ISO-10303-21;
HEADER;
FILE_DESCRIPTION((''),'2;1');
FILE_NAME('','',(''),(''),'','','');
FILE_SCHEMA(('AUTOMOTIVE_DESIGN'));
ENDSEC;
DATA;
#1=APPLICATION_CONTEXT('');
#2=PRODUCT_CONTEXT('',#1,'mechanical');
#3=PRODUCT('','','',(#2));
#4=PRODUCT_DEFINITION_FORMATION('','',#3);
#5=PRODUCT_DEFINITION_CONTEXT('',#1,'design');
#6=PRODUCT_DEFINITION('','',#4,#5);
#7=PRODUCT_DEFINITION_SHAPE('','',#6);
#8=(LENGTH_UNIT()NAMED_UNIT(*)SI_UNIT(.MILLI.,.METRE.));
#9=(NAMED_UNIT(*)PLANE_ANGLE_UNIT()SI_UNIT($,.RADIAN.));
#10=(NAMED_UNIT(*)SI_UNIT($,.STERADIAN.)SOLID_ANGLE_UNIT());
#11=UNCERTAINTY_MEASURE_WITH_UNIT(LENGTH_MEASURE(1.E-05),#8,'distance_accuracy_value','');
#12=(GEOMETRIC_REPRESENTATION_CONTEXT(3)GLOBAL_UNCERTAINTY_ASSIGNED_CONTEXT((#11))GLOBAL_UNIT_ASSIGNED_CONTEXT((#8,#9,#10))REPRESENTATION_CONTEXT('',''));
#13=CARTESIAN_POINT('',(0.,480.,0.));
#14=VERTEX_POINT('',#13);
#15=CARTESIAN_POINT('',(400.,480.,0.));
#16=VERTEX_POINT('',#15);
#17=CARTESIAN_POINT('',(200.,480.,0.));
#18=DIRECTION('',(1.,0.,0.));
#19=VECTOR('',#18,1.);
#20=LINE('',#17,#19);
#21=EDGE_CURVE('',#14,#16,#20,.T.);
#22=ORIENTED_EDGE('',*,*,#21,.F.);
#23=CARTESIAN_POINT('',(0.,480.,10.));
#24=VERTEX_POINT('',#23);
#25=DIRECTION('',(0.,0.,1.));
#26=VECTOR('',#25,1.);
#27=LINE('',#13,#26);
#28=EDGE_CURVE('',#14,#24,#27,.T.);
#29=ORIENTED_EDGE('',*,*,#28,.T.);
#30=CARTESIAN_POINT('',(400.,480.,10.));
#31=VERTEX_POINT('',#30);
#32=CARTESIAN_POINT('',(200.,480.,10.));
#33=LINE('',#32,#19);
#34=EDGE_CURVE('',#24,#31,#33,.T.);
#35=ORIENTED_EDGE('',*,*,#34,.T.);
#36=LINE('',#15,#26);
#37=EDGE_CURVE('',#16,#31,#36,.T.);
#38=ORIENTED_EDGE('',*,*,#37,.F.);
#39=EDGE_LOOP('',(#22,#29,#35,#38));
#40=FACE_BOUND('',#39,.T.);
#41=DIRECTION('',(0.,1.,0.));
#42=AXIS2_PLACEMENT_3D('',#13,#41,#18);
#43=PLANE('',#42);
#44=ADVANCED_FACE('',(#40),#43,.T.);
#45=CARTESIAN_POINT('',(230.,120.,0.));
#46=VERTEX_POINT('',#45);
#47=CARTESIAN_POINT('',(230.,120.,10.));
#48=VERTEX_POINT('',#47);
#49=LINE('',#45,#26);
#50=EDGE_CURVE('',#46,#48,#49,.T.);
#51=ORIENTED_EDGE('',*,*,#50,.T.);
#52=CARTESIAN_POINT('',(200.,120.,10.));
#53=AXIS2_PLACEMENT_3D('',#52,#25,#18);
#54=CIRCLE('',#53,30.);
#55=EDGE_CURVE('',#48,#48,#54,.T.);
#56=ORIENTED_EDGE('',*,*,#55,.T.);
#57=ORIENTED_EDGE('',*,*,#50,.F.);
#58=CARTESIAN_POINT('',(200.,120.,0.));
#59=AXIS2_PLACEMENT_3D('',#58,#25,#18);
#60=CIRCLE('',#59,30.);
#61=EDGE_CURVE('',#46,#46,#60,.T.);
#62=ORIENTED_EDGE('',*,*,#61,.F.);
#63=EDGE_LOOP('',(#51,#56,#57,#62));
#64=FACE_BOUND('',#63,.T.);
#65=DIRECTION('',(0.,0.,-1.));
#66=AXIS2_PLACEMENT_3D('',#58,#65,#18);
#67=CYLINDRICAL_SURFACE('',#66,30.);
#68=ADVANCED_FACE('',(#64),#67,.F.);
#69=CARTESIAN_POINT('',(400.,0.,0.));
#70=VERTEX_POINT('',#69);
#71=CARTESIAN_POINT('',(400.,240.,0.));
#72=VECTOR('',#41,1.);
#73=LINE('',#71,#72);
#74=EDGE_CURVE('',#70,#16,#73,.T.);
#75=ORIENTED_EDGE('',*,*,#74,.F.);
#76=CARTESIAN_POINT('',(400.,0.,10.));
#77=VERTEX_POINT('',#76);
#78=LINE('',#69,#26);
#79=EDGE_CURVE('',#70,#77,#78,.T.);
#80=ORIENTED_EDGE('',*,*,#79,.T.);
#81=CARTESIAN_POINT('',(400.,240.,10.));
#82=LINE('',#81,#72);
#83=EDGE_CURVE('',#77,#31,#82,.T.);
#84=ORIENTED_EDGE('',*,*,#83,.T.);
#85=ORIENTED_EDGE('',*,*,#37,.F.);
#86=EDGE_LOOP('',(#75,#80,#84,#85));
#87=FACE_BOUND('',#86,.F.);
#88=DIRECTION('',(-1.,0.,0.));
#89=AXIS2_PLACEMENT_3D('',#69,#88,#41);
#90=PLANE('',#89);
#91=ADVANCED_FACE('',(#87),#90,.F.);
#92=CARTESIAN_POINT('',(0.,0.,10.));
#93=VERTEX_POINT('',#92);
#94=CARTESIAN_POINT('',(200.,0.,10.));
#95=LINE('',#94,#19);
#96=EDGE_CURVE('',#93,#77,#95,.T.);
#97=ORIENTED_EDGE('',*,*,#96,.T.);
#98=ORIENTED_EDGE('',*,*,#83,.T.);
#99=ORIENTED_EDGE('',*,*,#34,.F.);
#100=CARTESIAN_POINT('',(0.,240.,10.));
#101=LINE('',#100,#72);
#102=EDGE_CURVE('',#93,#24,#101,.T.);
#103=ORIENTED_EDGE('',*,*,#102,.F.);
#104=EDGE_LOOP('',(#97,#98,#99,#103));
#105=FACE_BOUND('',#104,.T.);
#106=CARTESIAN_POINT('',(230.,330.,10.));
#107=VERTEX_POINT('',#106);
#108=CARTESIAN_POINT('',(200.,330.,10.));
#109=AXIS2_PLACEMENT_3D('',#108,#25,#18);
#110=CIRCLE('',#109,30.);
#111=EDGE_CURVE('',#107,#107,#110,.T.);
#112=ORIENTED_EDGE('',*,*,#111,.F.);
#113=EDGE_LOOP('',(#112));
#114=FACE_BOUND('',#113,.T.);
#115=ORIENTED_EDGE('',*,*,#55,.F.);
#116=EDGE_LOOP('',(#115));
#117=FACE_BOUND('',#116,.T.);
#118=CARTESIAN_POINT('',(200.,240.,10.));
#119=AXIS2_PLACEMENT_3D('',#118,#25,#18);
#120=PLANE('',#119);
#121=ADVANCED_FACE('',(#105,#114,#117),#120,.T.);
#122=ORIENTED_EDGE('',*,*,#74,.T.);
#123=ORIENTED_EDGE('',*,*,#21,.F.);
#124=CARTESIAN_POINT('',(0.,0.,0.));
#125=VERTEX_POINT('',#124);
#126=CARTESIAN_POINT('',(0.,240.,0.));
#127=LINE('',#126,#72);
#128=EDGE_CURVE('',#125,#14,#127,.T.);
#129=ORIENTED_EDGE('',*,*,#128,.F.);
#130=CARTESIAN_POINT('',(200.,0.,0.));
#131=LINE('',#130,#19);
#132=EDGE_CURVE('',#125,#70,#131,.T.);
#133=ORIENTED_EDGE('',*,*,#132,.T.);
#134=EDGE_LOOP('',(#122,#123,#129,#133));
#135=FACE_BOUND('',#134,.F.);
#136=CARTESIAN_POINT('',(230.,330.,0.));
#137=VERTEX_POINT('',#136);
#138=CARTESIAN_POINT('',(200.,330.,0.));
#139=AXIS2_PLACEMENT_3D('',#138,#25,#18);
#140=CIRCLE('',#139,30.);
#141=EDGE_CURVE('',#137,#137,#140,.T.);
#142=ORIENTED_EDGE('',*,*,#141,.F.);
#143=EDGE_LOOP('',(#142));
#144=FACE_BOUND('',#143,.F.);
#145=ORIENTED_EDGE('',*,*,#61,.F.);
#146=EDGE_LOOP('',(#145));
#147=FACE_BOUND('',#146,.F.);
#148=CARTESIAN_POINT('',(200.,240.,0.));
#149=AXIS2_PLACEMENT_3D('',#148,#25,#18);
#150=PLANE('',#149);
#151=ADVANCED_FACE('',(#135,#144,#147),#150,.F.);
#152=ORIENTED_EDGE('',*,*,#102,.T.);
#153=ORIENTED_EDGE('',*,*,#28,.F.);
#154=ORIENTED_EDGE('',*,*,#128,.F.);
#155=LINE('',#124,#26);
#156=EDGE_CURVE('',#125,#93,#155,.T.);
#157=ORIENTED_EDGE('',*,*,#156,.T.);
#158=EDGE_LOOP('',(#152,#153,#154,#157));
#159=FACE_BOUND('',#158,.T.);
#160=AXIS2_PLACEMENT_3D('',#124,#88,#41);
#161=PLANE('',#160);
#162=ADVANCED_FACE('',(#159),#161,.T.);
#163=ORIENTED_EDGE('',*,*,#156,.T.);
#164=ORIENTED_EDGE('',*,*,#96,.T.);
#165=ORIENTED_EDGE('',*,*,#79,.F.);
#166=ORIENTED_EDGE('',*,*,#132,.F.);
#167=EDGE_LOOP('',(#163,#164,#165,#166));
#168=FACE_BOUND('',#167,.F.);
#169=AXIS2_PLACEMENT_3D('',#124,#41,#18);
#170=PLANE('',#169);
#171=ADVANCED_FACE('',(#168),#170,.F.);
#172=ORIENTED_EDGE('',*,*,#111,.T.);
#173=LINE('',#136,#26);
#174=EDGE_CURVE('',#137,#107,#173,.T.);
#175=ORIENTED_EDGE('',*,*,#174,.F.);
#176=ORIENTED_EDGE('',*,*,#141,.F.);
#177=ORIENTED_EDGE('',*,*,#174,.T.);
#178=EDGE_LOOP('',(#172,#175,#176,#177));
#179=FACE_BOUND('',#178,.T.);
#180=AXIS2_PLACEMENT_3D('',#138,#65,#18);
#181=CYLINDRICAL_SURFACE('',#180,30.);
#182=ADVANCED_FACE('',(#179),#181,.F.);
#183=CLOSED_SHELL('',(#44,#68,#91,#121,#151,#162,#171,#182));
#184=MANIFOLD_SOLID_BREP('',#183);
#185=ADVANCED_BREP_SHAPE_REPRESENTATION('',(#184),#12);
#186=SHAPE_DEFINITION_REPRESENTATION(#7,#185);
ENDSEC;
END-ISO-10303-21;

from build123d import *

# Parameters (mm, degrees)
SKETCH1_W      = 400
SKETCH1_H      = 480
SKETCH1_R      = 30
EXTRUDE1_DEPTH = 10


with BuildPart() as part:
    # Sketch1 → Extrude1 (new body)
    with BuildSketch(Plane.XY):
        with Locations((200, 240)):
            Rectangle(SKETCH1_W, SKETCH1_H)
        with Locations((200, 330)):
            Circle(SKETCH1_R, mode=Mode.SUBTRACT)
        with Locations((200, 120)):
            Circle(SKETCH1_R, mode=Mode.SUBTRACT)
    extrude(amount=EXTRUDE1_DEPTH)


solid = part.part
